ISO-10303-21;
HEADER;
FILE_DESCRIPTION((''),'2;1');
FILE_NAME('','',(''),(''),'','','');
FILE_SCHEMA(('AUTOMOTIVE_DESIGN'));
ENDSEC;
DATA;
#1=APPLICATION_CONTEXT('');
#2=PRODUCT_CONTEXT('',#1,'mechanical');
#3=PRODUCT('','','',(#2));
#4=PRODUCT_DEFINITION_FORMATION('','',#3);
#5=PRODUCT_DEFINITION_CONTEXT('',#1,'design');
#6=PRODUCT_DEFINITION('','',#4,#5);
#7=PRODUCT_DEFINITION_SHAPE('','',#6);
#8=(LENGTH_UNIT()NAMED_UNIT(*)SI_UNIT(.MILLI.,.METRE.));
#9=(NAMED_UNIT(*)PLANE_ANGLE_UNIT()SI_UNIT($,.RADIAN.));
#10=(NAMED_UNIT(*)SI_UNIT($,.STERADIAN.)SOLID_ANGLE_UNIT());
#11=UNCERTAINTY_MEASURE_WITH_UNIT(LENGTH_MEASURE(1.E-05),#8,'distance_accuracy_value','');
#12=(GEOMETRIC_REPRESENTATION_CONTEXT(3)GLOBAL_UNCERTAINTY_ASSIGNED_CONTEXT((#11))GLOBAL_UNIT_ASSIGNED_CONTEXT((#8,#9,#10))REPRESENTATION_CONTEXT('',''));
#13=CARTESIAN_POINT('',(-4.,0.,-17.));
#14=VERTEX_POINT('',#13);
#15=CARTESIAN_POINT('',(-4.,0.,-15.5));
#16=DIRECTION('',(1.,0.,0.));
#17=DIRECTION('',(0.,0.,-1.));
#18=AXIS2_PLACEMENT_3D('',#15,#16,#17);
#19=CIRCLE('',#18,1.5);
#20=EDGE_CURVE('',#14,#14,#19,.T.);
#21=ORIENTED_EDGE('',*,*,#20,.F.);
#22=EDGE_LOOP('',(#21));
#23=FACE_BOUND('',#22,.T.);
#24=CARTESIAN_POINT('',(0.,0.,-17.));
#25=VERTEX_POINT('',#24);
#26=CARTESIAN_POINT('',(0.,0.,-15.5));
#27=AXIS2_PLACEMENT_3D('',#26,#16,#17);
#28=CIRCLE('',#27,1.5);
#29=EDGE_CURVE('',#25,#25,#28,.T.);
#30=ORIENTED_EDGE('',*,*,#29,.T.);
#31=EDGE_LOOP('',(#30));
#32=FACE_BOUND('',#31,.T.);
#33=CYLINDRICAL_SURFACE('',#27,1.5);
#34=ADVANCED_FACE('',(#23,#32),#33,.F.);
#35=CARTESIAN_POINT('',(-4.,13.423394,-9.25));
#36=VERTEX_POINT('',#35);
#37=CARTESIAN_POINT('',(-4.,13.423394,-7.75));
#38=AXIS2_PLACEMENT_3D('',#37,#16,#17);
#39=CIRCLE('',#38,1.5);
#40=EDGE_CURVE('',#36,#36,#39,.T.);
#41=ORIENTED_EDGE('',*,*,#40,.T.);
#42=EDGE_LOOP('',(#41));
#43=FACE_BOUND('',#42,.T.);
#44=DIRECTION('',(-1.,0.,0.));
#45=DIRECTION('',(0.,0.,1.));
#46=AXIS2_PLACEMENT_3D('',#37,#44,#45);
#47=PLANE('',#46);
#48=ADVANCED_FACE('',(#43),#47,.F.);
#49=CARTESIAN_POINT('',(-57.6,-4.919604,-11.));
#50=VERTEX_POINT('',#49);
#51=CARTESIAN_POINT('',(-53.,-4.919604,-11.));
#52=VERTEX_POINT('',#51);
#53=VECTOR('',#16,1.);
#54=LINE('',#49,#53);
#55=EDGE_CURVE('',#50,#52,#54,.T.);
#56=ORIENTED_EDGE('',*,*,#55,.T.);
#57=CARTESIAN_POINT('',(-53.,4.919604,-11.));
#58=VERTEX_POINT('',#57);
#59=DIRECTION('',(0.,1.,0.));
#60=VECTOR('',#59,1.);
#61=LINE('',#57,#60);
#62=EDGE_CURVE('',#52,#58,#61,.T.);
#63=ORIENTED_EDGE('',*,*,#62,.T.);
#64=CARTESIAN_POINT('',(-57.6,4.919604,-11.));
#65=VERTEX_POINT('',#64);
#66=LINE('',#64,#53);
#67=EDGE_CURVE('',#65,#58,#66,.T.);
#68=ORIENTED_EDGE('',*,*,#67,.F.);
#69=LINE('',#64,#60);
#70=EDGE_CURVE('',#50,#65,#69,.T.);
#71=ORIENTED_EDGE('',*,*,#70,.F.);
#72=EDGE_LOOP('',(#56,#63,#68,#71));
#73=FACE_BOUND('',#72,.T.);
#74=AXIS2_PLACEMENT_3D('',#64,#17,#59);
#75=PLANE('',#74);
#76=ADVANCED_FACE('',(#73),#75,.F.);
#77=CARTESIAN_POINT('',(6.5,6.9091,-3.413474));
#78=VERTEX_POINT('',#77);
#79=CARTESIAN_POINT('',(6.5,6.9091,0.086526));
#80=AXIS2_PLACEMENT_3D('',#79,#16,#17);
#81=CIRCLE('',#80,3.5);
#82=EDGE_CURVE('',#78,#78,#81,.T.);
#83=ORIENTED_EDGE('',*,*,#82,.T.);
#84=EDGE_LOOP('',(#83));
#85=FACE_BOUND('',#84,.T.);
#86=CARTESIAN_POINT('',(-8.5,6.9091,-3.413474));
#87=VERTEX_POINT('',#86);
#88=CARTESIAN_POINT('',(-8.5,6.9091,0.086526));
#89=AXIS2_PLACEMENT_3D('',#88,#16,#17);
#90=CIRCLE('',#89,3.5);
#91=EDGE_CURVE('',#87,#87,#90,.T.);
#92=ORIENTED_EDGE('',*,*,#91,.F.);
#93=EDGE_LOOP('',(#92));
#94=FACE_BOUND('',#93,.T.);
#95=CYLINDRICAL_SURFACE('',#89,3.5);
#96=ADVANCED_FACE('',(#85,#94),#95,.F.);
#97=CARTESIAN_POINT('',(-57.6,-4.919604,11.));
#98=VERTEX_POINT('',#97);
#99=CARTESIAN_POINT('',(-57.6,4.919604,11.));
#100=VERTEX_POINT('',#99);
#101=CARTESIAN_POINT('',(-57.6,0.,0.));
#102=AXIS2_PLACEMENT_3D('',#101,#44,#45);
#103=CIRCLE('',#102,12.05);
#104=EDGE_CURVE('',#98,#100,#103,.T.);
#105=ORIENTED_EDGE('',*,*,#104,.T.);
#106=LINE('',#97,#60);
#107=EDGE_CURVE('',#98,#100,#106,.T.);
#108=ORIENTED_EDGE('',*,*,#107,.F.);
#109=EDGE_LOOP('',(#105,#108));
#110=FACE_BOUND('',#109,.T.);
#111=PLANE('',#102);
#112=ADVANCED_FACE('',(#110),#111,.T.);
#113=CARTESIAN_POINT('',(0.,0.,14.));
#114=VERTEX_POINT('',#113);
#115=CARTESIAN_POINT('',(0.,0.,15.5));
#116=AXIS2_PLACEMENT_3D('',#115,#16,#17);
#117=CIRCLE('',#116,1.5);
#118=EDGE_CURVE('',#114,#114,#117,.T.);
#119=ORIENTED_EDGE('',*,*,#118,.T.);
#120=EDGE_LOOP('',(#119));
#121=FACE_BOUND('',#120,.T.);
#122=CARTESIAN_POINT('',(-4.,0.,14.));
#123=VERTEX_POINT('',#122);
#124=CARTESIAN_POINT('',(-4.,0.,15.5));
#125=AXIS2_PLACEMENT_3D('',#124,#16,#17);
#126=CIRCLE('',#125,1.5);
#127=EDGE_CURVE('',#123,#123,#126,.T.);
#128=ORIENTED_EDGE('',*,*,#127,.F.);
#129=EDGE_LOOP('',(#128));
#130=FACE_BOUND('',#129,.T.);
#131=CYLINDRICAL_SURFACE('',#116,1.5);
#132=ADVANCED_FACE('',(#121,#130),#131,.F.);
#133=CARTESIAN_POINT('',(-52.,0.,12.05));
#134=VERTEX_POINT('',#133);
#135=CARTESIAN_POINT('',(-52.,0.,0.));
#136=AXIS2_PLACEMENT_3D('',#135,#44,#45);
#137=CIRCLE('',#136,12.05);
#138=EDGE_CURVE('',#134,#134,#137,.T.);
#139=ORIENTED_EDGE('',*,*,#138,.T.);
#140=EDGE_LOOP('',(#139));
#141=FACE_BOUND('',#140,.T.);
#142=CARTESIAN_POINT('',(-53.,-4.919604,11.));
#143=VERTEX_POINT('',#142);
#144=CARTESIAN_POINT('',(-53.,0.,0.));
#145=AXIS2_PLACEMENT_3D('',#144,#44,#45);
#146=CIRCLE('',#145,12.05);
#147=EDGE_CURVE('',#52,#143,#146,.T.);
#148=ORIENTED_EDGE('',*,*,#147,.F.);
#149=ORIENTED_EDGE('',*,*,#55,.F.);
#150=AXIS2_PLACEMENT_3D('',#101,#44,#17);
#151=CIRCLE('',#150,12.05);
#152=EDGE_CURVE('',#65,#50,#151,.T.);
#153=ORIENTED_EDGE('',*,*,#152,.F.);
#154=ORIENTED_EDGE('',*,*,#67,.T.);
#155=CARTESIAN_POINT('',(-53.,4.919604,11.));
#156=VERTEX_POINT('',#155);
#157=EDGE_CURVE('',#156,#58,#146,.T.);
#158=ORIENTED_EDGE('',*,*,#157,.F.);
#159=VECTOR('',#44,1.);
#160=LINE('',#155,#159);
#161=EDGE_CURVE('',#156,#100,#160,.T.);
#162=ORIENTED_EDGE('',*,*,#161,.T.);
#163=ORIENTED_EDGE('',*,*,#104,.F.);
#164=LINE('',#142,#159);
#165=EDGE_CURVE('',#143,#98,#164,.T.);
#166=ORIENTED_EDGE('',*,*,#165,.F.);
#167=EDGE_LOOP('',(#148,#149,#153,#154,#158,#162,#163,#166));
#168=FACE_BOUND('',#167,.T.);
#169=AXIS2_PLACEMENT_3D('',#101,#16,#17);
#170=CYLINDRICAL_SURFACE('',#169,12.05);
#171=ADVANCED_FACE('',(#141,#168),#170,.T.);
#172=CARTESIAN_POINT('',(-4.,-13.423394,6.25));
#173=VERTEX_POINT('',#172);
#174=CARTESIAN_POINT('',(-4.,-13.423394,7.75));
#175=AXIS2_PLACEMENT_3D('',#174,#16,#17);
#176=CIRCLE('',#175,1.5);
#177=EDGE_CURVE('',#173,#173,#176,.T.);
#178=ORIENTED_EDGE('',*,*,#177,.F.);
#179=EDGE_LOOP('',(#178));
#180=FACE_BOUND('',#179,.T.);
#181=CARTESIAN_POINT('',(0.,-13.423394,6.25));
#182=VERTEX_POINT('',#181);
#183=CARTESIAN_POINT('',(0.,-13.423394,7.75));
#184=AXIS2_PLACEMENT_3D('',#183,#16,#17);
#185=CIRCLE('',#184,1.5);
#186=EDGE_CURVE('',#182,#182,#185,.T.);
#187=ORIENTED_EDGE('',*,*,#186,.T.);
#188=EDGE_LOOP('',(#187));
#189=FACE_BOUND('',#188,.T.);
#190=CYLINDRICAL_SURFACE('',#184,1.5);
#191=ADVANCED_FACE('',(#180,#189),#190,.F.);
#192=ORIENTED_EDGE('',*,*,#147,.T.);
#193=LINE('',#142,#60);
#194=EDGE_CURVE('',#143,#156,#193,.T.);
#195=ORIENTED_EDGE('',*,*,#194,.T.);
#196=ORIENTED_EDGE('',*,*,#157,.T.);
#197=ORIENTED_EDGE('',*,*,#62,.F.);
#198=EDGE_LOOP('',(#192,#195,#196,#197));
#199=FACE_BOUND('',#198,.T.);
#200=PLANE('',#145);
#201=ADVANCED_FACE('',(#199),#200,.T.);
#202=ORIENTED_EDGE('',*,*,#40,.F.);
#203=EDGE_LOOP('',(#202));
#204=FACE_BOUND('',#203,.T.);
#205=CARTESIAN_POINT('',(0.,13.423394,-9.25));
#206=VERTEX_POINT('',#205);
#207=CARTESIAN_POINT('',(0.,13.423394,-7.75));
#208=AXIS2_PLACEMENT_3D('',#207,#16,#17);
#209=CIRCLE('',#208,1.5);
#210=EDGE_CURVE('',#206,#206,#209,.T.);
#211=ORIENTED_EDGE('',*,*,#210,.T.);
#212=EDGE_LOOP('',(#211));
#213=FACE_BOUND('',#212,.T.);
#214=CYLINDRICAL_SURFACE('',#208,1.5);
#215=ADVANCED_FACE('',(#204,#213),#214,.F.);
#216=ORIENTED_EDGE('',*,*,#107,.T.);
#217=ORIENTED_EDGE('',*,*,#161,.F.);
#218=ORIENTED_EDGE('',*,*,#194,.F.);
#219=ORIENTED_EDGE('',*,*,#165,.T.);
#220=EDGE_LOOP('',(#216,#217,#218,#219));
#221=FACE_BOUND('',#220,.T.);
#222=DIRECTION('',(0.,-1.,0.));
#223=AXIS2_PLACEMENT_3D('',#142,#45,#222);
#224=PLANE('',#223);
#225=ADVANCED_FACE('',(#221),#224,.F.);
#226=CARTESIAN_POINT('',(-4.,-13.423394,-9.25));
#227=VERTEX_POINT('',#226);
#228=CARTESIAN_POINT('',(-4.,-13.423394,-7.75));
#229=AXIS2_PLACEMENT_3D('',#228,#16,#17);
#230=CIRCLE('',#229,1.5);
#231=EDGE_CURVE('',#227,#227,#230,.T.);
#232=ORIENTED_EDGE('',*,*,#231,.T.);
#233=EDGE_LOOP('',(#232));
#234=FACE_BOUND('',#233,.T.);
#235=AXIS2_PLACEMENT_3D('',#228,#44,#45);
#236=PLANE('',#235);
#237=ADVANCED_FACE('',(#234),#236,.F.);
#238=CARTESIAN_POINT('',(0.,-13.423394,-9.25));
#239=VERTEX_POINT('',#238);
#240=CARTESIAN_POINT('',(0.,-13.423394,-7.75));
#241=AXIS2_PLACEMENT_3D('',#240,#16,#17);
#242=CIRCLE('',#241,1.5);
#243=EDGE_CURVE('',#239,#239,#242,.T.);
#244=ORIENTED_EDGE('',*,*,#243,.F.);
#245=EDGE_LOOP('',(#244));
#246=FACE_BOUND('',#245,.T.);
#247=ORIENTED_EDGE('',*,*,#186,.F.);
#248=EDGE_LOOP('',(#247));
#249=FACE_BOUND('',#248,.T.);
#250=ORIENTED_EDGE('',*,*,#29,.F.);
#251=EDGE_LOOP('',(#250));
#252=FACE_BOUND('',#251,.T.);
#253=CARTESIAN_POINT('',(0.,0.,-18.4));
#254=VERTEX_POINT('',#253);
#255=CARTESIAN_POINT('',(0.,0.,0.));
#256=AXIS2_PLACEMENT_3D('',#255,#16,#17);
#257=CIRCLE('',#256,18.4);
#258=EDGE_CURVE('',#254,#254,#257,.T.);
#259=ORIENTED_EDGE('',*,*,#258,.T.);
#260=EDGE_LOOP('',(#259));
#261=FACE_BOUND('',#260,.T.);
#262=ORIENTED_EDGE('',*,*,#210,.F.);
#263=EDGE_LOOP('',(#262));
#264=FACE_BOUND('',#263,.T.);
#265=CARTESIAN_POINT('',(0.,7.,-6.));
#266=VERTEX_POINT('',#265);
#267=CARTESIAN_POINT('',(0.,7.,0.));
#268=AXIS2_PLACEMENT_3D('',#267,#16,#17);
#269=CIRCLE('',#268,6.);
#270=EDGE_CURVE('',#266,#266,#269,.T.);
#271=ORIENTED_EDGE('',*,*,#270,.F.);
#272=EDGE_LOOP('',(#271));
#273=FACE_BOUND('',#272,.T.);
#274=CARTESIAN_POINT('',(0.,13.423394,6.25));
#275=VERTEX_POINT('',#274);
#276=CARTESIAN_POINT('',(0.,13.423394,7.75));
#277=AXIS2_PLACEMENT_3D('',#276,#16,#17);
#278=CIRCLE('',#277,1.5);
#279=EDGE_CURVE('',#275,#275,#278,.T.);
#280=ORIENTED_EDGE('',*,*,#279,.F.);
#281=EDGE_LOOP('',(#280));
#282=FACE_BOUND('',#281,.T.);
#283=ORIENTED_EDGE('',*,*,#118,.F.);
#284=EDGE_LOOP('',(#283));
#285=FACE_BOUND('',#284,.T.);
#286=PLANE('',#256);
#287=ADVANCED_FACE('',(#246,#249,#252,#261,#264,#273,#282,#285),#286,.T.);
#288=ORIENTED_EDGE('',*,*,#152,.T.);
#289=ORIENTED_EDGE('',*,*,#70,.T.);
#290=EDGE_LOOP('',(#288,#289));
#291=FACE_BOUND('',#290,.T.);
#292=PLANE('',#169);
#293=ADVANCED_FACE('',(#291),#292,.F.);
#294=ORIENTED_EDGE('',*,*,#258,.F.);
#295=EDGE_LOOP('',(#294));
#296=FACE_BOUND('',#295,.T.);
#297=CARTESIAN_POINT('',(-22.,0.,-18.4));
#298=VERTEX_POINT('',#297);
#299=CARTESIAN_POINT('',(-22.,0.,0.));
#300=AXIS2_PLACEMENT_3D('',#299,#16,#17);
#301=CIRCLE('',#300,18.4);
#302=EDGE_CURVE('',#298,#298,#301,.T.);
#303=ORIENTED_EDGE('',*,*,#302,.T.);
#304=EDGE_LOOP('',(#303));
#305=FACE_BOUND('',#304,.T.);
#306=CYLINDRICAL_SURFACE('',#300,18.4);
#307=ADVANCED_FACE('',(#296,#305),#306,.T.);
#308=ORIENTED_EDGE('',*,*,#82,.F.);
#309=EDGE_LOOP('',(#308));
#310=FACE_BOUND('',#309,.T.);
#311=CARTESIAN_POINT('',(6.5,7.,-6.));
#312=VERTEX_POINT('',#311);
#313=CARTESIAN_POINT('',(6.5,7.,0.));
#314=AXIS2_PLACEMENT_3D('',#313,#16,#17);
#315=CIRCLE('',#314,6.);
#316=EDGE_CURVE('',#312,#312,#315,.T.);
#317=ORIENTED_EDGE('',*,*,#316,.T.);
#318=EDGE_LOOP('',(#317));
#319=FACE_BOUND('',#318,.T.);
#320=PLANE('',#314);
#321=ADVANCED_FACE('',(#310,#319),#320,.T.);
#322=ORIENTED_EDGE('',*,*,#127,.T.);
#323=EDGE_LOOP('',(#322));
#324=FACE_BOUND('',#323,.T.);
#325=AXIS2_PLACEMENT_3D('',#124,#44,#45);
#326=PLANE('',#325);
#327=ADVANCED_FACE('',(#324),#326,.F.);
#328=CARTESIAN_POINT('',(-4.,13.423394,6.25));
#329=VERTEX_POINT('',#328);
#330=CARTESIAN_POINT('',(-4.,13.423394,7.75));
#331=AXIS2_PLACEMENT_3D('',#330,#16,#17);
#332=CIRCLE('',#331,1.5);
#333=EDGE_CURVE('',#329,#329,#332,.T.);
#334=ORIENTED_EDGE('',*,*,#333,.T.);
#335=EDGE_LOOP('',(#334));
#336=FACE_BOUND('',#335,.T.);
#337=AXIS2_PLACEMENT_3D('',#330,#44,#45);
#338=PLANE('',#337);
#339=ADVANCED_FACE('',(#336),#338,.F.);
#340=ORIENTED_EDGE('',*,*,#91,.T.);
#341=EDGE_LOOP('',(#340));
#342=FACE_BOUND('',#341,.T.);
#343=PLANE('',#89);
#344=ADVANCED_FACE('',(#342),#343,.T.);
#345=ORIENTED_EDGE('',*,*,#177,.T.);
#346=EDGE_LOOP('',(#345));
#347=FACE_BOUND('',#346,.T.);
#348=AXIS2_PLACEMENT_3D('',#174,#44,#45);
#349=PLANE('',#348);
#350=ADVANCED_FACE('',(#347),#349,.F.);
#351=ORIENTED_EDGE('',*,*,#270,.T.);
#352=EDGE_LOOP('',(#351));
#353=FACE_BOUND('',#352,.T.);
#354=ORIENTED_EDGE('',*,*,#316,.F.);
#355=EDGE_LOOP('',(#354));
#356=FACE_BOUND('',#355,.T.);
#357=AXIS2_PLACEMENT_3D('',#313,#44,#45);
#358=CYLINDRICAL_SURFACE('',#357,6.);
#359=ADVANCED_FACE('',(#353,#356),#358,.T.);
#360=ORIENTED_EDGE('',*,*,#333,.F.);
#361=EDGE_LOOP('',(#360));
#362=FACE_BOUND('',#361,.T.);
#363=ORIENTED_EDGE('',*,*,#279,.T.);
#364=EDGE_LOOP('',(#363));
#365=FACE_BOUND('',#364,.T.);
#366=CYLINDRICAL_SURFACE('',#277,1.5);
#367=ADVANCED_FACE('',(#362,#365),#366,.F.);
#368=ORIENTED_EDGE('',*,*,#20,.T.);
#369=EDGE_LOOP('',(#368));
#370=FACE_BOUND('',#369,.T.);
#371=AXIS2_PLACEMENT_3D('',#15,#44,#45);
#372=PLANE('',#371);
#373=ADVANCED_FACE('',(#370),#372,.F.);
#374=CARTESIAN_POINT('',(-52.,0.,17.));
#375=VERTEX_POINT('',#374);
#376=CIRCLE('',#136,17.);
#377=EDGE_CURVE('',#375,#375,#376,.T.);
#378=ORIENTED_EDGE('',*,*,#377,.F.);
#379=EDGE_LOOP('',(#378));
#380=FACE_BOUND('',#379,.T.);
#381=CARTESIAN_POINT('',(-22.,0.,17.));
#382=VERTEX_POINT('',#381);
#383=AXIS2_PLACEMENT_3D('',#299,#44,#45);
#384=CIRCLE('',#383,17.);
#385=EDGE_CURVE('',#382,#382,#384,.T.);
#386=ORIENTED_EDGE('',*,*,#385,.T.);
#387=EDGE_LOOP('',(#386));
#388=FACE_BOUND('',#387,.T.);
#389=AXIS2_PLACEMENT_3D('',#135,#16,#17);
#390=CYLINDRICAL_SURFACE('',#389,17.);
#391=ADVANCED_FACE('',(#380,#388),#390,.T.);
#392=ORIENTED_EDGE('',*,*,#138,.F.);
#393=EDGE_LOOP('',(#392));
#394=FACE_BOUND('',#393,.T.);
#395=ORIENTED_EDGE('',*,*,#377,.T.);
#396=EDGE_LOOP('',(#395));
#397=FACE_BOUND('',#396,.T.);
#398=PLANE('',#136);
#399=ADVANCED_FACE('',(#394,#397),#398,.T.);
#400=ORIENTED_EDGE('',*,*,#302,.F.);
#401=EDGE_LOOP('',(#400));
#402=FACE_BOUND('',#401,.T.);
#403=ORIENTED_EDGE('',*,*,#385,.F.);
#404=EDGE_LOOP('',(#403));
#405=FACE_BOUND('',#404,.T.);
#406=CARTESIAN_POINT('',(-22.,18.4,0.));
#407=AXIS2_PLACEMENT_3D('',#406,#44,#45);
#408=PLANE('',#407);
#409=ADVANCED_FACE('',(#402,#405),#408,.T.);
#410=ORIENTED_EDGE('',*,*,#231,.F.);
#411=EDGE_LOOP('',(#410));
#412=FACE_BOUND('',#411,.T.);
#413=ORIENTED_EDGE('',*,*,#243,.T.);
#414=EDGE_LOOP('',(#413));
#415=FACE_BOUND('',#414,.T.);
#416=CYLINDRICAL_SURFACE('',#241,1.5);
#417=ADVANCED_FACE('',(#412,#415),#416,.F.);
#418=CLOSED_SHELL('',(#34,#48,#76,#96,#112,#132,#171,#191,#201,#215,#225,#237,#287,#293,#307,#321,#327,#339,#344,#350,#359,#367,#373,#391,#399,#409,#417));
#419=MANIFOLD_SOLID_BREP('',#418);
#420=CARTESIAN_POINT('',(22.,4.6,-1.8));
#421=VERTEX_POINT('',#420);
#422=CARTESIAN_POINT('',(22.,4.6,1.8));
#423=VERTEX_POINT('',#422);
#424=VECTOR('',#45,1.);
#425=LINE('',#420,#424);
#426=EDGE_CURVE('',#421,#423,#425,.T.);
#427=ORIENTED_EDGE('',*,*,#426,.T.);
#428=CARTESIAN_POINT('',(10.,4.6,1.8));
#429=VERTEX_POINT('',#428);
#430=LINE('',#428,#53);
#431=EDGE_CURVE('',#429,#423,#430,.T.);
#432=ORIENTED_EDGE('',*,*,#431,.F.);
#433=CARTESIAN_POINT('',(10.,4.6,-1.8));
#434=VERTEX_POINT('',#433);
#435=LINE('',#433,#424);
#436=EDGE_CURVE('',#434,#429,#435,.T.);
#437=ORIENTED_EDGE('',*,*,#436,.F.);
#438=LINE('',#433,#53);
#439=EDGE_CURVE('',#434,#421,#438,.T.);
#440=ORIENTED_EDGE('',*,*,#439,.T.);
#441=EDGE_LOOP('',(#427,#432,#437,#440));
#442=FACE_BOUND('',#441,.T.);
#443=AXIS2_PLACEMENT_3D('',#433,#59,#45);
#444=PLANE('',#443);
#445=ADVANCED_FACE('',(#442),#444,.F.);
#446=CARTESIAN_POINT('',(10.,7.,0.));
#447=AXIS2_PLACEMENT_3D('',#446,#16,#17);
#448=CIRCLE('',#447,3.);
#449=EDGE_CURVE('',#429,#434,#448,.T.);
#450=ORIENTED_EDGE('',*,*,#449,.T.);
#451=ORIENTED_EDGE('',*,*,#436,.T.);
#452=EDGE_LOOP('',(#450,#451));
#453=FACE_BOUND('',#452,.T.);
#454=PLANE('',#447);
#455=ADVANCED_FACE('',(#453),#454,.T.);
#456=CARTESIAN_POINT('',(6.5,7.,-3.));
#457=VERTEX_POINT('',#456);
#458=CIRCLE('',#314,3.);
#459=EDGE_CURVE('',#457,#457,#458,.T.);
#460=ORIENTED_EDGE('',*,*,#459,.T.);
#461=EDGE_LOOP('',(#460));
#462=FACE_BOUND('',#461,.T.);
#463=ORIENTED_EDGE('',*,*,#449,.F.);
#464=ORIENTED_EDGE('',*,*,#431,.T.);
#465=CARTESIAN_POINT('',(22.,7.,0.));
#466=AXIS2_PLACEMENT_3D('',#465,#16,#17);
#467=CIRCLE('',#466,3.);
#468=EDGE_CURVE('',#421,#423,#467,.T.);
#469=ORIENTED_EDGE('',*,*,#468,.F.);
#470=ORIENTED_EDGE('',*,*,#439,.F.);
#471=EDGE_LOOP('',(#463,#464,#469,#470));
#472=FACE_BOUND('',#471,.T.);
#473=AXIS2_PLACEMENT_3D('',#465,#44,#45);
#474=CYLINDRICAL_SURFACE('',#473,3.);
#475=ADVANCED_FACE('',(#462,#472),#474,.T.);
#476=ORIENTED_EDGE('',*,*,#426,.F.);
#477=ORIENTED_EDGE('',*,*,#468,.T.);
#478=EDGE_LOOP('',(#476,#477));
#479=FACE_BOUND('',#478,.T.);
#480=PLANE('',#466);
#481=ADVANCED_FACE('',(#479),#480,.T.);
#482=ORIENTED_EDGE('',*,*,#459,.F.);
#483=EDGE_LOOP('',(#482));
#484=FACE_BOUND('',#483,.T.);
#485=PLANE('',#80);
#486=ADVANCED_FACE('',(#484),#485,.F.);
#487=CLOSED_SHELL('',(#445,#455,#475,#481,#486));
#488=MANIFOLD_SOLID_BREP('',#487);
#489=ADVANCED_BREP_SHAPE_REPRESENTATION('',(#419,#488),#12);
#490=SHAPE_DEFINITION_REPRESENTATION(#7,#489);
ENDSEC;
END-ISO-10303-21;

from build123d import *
from build123d.topology import SkipClean

# Parameters (mm, degrees)
ESQUISSE1_W                       = 22
ESQUISSE1_H                       = 18.4
ESQUISSE2_R                       = 17
BOSS_EXTRU_1_DEPTH                = 30
ESQUISSE3_R                       = 12.05
BOSS_EXTRU_2_DEPTH                = 5.6
ENL_V_START                       = -4.6
ENL_V_MAT_EXTRU_1_DEPTH           = 4.6
BOSS_EXTRU_3_DEPTH                = 4.6
ESQUISSE6_R                       = 6
BOSS_EXTRU_4_DEPTH                = 6.5
ESQUISSE7_R                       = 3
BOSS_EXTRU_5_DEPTH                = 15.5
ENL_V_START_2                     = -12
ENL_V_MAT_EXTRU_2_DEPTH           = 12
DIAM_TRE_DU_PER_AGE_3_0_3_1_D     = 3
DIAM_TRE_DU_PER_AGE_3_0_3_1_DEPTH = 4
ENL_V_START_3                     = -15.5
ESQUISSE12_R                      = 3.5
ENL_V_MAT_EXTRU_3_DEPTH           = 15


with BuildPart() as part:
    # Esquisse1 → Révolution1 (revolve)
    with BuildSketch(Plane.XY, mode=Mode.PRIVATE) as r_volution1_sk:
        with Locations((-11, 9.2)):
            Rectangle(ESQUISSE1_W, ESQUISSE1_H)
    revolve(r_volution1_sk.sketch.rotate(Axis((-22, 0, 0), (1, 0, 0)), 270), axis=Axis((-22, 0, 0), (1, 0, 0)))

    # Esquisse2 → Boss.-Extru.1 (add)
    with BuildSketch(Plane.ZY.offset(22)):
        Circle(ESQUISSE2_R)
    extrude(amount=BOSS_EXTRU_1_DEPTH)

    # Esquisse3 → Boss.-Extru.2 (add)
    with BuildSketch(Plane.ZY.offset(52)):
        Circle(ESQUISSE3_R)
    extrude(amount=BOSS_EXTRU_2_DEPTH)

    # Esquisse4 → Enlèv. mat.-Extru.1 (cut)
    with BuildSketch(Plane.ZY.offset(57.6).offset(ENL_V_START)):
        with BuildLine():
            Line((11, -4.919603643), (11, 4.919603643))
            ThreePointArc((11, 4.919603643), (-12.05, 0), (11, -4.919603643))
        make_face()
    extrude(amount=ENL_V_MAT_EXTRU_1_DEPTH, mode=Mode.SUBTRACT)

    # Esquisse5 → Boss.-Extru.3 (add)
    with SkipClean():  # the faces are left unmerged after this step: merging them gives an invalid solid
        with BuildSketch(Plane.ZY.offset(53)):
            with BuildLine():
                Line((-11, 4.919603643), (-11, -4.919603643))
                ThreePointArc((-11, -4.919603643), (-12.05, 0), (-11, 4.919603643))
            make_face()
        extrude(amount=BOSS_EXTRU_3_DEPTH)

    # Esquisse6 → Boss.-Extru.4 (add)
    with SkipClean():  # the faces are left unmerged after this step: merging them gives an invalid solid
        with BuildSketch(Plane(origin=(0, 0, 0), x_dir=(0, 0, -1), z_dir=(1, 0, 0))):
            with Locations((0, 7)):
                Circle(ESQUISSE6_R)
        extrude(amount=BOSS_EXTRU_4_DEPTH)

    # Esquisse7 → Boss.-Extru.5 (add)
    with SkipClean():  # the faces are left unmerged after this step: merging them gives an invalid solid
        with BuildSketch(Plane(origin=(6.5, 0, 0), x_dir=(0, 0, -1), z_dir=(1, 0, 0))):
            with Locations((0, 7)):
                Circle(ESQUISSE7_R)
        extrude(amount=BOSS_EXTRU_5_DEPTH)

    # Esquisse8 → Enlèv. mat.-Extru.2 (cut)
    with SkipClean():  # the faces are left unmerged after this step: merging them gives an invalid solid
        with BuildSketch(Plane(origin=(22, 0, 0), x_dir=(0, 0, -1), z_dir=(1, 0, 0)).offset(ENL_V_START_2)):
            with BuildLine():
                Line((1.8, 4.6), (-1.8, 4.6))
                ThreePointArc((-1.8, 4.6), (0, 4), (1.8, 4.6))
            make_face()
        extrude(amount=ENL_V_MAT_EXTRU_2_DEPTH, mode=Mode.SUBTRACT)

    # Diamètre du perçage Ø3.0 (3)1
    with Locations(Plane(origin=(0, 0, 0), x_dir=(0, 0, -1), z_dir=(1, 0, 0))):
        with Locations((15.5, 0), (-7.75, -13.423393759), (-7.75, 13.423393759), (7.75, -13.423393759), (7.75, 13.423393759), (-15.5, 0)):
            Hole(DIAM_TRE_DU_PER_AGE_3_0_3_1_D / 2, depth=DIAM_TRE_DU_PER_AGE_3_0_3_1_DEPTH)

    # Esquisse12 → Enlèv. mat.-Extru.3 (cut)
    with SkipClean():  # the faces are left unmerged after this step: merging them gives an invalid solid
        with BuildSketch(Plane(origin=(22, 0, 0), x_dir=(0, 0, -1), z_dir=(1, 0, 0)).offset(ENL_V_START_3)):
            with Locations((-0.08652583, 6.909100079)):
                Circle(ESQUISSE12_R)
        extrude(amount=-ENL_V_MAT_EXTRU_3_DEPTH, mode=Mode.SUBTRACT)


with BuildPart() as enl_v_mat_extru_3_piece_1:
    # of the separate pieces the step leaves, piece 1, a body of its own (enl_v_mat_extru_3_pieces)
    add(part.part.solids().sort_by_distance((-22, 0, -18.4))[0])


with BuildPart() as enl_v_mat_extru_3_piece_2:
    # of the separate pieces the step leaves, piece 2, a body of its own (enl_v_mat_extru_3_pieces)
    add(part.part.solids().sort_by_distance((6.5, 7, -3))[0])


solid = Compound([enl_v_mat_extru_3_piece_1.part, enl_v_mat_extru_3_piece_2.part])
